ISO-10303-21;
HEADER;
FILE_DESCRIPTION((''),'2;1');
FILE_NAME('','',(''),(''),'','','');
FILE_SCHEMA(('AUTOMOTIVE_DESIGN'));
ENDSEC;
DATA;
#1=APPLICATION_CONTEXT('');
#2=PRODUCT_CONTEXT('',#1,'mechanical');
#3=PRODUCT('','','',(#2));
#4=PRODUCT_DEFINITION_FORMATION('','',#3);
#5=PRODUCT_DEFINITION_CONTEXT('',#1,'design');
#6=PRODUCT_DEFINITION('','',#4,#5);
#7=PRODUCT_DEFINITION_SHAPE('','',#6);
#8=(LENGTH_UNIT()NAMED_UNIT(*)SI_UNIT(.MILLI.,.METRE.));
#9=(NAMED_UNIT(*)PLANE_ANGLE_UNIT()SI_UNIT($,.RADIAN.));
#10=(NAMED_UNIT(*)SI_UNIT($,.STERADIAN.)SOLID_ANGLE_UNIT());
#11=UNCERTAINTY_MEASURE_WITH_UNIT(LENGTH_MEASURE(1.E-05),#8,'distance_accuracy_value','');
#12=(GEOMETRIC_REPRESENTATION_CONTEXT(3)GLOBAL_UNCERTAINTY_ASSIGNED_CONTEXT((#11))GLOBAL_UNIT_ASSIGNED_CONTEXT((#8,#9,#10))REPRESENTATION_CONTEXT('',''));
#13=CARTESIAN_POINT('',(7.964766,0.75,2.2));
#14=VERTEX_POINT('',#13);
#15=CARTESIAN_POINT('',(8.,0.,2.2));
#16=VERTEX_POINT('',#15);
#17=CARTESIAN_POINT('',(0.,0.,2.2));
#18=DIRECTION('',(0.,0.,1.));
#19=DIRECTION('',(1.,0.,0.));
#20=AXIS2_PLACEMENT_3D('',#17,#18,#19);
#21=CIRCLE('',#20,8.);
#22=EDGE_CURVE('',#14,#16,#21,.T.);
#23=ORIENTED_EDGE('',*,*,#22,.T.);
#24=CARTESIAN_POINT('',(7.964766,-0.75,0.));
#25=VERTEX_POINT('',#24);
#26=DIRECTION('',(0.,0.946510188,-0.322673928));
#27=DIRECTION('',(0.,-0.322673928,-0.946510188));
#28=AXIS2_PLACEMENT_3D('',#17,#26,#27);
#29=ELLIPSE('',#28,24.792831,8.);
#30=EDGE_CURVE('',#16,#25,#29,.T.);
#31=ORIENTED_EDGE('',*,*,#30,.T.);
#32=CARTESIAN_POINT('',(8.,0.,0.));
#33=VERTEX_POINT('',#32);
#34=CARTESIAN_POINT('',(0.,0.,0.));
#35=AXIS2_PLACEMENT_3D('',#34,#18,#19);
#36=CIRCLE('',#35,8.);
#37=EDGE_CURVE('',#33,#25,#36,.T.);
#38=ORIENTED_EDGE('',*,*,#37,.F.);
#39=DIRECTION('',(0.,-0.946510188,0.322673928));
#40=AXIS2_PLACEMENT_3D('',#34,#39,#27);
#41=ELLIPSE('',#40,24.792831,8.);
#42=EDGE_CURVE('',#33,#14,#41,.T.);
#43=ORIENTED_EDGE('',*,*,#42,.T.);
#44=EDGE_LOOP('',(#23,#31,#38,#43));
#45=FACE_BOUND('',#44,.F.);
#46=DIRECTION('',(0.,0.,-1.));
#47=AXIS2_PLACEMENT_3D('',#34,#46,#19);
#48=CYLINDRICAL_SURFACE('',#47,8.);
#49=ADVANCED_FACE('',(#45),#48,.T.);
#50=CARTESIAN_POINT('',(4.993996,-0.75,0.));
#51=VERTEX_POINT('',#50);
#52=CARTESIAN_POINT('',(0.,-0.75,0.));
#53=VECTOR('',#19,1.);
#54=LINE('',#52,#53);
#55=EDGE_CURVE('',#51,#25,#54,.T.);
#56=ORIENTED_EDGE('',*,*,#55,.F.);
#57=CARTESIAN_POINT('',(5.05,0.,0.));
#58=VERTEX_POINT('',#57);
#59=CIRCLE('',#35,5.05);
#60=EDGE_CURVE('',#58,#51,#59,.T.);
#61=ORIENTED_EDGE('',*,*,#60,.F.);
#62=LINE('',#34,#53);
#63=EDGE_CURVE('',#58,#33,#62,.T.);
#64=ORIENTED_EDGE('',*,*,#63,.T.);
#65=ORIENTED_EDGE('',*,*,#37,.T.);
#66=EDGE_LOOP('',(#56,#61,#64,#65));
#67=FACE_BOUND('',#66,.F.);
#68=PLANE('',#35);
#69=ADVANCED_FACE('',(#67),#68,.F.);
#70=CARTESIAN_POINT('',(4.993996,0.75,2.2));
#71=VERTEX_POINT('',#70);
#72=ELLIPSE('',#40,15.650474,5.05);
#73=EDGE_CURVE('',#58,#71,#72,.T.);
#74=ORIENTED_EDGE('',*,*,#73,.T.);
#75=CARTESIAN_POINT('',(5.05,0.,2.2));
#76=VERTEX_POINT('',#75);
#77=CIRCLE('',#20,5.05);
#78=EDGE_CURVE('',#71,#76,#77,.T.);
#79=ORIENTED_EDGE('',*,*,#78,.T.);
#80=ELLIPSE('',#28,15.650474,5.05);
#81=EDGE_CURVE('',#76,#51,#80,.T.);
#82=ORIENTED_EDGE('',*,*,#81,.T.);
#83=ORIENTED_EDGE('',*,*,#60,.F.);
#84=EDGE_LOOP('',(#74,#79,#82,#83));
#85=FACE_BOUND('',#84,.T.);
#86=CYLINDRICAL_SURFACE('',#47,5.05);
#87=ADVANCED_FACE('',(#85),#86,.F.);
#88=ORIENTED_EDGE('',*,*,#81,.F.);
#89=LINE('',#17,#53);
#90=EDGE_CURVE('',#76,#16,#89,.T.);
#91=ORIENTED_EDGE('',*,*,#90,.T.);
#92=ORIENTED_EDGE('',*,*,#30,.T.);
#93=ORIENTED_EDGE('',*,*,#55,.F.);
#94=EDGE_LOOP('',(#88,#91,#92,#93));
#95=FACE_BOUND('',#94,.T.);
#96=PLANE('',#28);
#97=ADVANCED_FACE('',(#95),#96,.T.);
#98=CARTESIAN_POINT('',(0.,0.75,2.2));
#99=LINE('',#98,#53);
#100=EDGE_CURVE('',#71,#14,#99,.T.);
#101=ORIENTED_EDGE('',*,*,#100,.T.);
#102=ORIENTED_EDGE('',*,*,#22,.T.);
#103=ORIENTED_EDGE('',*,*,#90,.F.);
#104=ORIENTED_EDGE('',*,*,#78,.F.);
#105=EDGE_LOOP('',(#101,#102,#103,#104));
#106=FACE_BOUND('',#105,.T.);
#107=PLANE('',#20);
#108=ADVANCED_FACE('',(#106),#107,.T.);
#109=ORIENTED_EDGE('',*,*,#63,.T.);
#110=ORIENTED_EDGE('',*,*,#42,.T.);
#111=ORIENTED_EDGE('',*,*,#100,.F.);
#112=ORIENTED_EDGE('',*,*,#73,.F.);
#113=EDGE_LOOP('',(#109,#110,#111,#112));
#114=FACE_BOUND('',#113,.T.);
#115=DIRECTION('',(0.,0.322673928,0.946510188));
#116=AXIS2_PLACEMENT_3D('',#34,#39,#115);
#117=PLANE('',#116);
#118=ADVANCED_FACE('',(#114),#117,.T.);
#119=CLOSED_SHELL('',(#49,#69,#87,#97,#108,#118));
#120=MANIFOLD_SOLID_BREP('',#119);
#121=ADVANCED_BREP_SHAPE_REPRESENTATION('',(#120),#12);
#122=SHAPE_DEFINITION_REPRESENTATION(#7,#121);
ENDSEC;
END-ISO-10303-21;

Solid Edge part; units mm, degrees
sketch "Sketch1" plane through (0, 0, 0) normal (0, 0, 1) x (1, 0, 0)
  circle A0 centre (0, 0) radius 5.05
  circle A1 centre (0, 0) radius 8
extrude "Protrusion1" add sketch "Sketch1" along normal blind 2.2
sketch "Sketch2" plane through (0, 0, 0) normal (1, 0, 0) x (0, 1, 0)
  line L0 (0, 0) -> (0.75, 2.2)
  line L1 (0.75, 2.2) -> (0, 2.2)
  line L2 (0, 2.2) -> (-0.75, 0)
  line L3 (-0.75, 0) -> (0, 0)
  dimension "D1" = 0.75
extrude "ExtrudedCutout_1" cut sketch "Sketch2" along normal blind 10.7517
properties material "Steel"
